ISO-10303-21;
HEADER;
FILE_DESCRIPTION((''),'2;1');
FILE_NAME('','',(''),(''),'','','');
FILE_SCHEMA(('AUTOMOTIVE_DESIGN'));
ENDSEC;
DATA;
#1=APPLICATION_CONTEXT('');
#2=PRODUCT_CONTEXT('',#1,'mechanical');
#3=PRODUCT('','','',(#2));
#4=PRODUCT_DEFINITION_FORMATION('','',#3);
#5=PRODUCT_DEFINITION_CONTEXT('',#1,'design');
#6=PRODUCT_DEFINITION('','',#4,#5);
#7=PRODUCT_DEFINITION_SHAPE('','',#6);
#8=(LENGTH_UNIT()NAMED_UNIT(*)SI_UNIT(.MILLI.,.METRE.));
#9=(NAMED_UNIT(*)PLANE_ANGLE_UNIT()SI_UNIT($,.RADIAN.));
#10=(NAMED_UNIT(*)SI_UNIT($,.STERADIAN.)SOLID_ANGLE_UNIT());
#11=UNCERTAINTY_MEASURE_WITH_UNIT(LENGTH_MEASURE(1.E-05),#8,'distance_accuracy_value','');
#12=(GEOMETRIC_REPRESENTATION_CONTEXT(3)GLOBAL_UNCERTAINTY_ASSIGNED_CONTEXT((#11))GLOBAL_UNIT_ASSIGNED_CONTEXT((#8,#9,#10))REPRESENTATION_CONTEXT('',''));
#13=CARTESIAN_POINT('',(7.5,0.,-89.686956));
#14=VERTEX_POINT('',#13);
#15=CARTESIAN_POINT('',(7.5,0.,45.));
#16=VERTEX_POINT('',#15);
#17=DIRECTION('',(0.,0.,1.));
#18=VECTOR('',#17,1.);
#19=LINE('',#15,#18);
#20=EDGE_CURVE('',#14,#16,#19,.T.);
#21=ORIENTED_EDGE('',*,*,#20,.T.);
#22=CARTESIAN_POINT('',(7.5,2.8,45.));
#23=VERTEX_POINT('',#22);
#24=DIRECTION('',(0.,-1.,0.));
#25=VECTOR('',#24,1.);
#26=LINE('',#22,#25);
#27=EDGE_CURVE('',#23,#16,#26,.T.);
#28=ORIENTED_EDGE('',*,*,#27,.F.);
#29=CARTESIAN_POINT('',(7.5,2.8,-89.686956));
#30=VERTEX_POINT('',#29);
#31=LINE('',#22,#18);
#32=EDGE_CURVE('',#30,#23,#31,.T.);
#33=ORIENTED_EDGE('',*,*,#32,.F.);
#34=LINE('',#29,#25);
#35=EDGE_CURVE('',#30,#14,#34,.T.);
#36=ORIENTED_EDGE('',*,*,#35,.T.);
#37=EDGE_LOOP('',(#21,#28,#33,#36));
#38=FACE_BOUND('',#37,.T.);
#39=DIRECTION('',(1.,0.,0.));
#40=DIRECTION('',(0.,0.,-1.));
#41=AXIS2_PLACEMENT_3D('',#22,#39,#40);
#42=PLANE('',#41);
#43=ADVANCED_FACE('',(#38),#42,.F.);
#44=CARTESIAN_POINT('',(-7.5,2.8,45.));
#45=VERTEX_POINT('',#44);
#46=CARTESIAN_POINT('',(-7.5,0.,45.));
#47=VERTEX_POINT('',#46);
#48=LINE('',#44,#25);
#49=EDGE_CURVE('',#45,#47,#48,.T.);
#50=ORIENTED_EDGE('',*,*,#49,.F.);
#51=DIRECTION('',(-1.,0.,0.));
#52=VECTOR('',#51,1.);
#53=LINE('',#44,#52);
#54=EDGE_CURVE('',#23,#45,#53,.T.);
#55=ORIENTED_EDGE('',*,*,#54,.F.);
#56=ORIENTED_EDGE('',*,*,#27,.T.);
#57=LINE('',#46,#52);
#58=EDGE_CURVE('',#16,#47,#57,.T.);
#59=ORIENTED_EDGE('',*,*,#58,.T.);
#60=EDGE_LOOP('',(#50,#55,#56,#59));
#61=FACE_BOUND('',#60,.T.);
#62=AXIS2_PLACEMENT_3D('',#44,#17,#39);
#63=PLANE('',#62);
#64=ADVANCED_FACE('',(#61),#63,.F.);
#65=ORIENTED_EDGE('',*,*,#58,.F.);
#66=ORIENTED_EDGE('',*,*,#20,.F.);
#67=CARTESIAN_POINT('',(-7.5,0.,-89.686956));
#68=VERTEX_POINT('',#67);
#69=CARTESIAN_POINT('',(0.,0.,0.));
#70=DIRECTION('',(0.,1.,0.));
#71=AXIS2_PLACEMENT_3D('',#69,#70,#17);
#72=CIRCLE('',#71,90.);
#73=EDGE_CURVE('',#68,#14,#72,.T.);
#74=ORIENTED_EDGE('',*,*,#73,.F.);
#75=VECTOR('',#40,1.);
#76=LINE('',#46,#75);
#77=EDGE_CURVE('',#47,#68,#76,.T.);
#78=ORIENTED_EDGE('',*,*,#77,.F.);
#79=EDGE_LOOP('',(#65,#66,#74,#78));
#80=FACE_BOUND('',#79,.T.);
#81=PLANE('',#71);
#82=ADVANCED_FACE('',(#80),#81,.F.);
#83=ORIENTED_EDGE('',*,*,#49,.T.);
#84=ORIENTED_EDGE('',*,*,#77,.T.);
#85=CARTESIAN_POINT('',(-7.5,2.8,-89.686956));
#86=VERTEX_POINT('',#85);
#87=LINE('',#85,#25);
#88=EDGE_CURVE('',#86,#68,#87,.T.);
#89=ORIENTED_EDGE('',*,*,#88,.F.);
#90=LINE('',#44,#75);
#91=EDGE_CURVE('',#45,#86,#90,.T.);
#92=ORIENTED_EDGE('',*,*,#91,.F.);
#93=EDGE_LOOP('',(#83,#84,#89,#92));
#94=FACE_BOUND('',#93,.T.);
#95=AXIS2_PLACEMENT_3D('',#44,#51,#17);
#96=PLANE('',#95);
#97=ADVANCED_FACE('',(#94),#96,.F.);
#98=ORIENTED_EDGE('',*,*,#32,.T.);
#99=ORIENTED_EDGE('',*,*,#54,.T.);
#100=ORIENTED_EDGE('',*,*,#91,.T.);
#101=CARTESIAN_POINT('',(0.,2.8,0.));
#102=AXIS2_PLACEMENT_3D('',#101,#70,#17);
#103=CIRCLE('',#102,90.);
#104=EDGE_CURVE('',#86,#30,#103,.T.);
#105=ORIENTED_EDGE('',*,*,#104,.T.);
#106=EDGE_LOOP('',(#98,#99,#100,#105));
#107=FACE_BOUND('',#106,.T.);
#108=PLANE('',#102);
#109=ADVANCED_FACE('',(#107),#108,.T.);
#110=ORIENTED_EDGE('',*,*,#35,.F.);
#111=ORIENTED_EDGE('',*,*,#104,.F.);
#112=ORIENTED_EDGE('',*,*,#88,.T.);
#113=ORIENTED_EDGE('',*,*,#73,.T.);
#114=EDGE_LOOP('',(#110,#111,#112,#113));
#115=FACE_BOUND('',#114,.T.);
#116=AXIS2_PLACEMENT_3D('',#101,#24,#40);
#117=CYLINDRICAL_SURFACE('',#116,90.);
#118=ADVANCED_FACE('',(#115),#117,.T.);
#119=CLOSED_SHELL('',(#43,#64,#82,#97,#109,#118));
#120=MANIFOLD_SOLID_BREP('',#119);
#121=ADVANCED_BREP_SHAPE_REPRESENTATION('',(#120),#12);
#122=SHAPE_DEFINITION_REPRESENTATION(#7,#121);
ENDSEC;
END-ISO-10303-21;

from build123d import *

# Parameters (mm, degrees)
Y_KSEKLIK_EKSTR_ZYON1_DEPTH = 2.8


with BuildPart() as part:
    # Çizim1 → Yükseklik-Ekstrüzyon1 (new body)
    with BuildSketch(Plane(origin=(0, 0, 0), x_dir=(1, 0, 0), z_dir=(0, 1, 0))):
        with BuildLine():
            Line((-7.5, -45), (7.5, -45))
            Line((7.5, -45), (7.5, 89.686955573))
            ThreePointArc((7.5, 89.686955573), (0, -90), (-7.5, 89.686955573))
            Line((-7.5, 89.686955573), (-7.5, -45))
        make_face()
    extrude(amount=Y_KSEKLIK_EKSTR_ZYON1_DEPTH)


solid = part.part
